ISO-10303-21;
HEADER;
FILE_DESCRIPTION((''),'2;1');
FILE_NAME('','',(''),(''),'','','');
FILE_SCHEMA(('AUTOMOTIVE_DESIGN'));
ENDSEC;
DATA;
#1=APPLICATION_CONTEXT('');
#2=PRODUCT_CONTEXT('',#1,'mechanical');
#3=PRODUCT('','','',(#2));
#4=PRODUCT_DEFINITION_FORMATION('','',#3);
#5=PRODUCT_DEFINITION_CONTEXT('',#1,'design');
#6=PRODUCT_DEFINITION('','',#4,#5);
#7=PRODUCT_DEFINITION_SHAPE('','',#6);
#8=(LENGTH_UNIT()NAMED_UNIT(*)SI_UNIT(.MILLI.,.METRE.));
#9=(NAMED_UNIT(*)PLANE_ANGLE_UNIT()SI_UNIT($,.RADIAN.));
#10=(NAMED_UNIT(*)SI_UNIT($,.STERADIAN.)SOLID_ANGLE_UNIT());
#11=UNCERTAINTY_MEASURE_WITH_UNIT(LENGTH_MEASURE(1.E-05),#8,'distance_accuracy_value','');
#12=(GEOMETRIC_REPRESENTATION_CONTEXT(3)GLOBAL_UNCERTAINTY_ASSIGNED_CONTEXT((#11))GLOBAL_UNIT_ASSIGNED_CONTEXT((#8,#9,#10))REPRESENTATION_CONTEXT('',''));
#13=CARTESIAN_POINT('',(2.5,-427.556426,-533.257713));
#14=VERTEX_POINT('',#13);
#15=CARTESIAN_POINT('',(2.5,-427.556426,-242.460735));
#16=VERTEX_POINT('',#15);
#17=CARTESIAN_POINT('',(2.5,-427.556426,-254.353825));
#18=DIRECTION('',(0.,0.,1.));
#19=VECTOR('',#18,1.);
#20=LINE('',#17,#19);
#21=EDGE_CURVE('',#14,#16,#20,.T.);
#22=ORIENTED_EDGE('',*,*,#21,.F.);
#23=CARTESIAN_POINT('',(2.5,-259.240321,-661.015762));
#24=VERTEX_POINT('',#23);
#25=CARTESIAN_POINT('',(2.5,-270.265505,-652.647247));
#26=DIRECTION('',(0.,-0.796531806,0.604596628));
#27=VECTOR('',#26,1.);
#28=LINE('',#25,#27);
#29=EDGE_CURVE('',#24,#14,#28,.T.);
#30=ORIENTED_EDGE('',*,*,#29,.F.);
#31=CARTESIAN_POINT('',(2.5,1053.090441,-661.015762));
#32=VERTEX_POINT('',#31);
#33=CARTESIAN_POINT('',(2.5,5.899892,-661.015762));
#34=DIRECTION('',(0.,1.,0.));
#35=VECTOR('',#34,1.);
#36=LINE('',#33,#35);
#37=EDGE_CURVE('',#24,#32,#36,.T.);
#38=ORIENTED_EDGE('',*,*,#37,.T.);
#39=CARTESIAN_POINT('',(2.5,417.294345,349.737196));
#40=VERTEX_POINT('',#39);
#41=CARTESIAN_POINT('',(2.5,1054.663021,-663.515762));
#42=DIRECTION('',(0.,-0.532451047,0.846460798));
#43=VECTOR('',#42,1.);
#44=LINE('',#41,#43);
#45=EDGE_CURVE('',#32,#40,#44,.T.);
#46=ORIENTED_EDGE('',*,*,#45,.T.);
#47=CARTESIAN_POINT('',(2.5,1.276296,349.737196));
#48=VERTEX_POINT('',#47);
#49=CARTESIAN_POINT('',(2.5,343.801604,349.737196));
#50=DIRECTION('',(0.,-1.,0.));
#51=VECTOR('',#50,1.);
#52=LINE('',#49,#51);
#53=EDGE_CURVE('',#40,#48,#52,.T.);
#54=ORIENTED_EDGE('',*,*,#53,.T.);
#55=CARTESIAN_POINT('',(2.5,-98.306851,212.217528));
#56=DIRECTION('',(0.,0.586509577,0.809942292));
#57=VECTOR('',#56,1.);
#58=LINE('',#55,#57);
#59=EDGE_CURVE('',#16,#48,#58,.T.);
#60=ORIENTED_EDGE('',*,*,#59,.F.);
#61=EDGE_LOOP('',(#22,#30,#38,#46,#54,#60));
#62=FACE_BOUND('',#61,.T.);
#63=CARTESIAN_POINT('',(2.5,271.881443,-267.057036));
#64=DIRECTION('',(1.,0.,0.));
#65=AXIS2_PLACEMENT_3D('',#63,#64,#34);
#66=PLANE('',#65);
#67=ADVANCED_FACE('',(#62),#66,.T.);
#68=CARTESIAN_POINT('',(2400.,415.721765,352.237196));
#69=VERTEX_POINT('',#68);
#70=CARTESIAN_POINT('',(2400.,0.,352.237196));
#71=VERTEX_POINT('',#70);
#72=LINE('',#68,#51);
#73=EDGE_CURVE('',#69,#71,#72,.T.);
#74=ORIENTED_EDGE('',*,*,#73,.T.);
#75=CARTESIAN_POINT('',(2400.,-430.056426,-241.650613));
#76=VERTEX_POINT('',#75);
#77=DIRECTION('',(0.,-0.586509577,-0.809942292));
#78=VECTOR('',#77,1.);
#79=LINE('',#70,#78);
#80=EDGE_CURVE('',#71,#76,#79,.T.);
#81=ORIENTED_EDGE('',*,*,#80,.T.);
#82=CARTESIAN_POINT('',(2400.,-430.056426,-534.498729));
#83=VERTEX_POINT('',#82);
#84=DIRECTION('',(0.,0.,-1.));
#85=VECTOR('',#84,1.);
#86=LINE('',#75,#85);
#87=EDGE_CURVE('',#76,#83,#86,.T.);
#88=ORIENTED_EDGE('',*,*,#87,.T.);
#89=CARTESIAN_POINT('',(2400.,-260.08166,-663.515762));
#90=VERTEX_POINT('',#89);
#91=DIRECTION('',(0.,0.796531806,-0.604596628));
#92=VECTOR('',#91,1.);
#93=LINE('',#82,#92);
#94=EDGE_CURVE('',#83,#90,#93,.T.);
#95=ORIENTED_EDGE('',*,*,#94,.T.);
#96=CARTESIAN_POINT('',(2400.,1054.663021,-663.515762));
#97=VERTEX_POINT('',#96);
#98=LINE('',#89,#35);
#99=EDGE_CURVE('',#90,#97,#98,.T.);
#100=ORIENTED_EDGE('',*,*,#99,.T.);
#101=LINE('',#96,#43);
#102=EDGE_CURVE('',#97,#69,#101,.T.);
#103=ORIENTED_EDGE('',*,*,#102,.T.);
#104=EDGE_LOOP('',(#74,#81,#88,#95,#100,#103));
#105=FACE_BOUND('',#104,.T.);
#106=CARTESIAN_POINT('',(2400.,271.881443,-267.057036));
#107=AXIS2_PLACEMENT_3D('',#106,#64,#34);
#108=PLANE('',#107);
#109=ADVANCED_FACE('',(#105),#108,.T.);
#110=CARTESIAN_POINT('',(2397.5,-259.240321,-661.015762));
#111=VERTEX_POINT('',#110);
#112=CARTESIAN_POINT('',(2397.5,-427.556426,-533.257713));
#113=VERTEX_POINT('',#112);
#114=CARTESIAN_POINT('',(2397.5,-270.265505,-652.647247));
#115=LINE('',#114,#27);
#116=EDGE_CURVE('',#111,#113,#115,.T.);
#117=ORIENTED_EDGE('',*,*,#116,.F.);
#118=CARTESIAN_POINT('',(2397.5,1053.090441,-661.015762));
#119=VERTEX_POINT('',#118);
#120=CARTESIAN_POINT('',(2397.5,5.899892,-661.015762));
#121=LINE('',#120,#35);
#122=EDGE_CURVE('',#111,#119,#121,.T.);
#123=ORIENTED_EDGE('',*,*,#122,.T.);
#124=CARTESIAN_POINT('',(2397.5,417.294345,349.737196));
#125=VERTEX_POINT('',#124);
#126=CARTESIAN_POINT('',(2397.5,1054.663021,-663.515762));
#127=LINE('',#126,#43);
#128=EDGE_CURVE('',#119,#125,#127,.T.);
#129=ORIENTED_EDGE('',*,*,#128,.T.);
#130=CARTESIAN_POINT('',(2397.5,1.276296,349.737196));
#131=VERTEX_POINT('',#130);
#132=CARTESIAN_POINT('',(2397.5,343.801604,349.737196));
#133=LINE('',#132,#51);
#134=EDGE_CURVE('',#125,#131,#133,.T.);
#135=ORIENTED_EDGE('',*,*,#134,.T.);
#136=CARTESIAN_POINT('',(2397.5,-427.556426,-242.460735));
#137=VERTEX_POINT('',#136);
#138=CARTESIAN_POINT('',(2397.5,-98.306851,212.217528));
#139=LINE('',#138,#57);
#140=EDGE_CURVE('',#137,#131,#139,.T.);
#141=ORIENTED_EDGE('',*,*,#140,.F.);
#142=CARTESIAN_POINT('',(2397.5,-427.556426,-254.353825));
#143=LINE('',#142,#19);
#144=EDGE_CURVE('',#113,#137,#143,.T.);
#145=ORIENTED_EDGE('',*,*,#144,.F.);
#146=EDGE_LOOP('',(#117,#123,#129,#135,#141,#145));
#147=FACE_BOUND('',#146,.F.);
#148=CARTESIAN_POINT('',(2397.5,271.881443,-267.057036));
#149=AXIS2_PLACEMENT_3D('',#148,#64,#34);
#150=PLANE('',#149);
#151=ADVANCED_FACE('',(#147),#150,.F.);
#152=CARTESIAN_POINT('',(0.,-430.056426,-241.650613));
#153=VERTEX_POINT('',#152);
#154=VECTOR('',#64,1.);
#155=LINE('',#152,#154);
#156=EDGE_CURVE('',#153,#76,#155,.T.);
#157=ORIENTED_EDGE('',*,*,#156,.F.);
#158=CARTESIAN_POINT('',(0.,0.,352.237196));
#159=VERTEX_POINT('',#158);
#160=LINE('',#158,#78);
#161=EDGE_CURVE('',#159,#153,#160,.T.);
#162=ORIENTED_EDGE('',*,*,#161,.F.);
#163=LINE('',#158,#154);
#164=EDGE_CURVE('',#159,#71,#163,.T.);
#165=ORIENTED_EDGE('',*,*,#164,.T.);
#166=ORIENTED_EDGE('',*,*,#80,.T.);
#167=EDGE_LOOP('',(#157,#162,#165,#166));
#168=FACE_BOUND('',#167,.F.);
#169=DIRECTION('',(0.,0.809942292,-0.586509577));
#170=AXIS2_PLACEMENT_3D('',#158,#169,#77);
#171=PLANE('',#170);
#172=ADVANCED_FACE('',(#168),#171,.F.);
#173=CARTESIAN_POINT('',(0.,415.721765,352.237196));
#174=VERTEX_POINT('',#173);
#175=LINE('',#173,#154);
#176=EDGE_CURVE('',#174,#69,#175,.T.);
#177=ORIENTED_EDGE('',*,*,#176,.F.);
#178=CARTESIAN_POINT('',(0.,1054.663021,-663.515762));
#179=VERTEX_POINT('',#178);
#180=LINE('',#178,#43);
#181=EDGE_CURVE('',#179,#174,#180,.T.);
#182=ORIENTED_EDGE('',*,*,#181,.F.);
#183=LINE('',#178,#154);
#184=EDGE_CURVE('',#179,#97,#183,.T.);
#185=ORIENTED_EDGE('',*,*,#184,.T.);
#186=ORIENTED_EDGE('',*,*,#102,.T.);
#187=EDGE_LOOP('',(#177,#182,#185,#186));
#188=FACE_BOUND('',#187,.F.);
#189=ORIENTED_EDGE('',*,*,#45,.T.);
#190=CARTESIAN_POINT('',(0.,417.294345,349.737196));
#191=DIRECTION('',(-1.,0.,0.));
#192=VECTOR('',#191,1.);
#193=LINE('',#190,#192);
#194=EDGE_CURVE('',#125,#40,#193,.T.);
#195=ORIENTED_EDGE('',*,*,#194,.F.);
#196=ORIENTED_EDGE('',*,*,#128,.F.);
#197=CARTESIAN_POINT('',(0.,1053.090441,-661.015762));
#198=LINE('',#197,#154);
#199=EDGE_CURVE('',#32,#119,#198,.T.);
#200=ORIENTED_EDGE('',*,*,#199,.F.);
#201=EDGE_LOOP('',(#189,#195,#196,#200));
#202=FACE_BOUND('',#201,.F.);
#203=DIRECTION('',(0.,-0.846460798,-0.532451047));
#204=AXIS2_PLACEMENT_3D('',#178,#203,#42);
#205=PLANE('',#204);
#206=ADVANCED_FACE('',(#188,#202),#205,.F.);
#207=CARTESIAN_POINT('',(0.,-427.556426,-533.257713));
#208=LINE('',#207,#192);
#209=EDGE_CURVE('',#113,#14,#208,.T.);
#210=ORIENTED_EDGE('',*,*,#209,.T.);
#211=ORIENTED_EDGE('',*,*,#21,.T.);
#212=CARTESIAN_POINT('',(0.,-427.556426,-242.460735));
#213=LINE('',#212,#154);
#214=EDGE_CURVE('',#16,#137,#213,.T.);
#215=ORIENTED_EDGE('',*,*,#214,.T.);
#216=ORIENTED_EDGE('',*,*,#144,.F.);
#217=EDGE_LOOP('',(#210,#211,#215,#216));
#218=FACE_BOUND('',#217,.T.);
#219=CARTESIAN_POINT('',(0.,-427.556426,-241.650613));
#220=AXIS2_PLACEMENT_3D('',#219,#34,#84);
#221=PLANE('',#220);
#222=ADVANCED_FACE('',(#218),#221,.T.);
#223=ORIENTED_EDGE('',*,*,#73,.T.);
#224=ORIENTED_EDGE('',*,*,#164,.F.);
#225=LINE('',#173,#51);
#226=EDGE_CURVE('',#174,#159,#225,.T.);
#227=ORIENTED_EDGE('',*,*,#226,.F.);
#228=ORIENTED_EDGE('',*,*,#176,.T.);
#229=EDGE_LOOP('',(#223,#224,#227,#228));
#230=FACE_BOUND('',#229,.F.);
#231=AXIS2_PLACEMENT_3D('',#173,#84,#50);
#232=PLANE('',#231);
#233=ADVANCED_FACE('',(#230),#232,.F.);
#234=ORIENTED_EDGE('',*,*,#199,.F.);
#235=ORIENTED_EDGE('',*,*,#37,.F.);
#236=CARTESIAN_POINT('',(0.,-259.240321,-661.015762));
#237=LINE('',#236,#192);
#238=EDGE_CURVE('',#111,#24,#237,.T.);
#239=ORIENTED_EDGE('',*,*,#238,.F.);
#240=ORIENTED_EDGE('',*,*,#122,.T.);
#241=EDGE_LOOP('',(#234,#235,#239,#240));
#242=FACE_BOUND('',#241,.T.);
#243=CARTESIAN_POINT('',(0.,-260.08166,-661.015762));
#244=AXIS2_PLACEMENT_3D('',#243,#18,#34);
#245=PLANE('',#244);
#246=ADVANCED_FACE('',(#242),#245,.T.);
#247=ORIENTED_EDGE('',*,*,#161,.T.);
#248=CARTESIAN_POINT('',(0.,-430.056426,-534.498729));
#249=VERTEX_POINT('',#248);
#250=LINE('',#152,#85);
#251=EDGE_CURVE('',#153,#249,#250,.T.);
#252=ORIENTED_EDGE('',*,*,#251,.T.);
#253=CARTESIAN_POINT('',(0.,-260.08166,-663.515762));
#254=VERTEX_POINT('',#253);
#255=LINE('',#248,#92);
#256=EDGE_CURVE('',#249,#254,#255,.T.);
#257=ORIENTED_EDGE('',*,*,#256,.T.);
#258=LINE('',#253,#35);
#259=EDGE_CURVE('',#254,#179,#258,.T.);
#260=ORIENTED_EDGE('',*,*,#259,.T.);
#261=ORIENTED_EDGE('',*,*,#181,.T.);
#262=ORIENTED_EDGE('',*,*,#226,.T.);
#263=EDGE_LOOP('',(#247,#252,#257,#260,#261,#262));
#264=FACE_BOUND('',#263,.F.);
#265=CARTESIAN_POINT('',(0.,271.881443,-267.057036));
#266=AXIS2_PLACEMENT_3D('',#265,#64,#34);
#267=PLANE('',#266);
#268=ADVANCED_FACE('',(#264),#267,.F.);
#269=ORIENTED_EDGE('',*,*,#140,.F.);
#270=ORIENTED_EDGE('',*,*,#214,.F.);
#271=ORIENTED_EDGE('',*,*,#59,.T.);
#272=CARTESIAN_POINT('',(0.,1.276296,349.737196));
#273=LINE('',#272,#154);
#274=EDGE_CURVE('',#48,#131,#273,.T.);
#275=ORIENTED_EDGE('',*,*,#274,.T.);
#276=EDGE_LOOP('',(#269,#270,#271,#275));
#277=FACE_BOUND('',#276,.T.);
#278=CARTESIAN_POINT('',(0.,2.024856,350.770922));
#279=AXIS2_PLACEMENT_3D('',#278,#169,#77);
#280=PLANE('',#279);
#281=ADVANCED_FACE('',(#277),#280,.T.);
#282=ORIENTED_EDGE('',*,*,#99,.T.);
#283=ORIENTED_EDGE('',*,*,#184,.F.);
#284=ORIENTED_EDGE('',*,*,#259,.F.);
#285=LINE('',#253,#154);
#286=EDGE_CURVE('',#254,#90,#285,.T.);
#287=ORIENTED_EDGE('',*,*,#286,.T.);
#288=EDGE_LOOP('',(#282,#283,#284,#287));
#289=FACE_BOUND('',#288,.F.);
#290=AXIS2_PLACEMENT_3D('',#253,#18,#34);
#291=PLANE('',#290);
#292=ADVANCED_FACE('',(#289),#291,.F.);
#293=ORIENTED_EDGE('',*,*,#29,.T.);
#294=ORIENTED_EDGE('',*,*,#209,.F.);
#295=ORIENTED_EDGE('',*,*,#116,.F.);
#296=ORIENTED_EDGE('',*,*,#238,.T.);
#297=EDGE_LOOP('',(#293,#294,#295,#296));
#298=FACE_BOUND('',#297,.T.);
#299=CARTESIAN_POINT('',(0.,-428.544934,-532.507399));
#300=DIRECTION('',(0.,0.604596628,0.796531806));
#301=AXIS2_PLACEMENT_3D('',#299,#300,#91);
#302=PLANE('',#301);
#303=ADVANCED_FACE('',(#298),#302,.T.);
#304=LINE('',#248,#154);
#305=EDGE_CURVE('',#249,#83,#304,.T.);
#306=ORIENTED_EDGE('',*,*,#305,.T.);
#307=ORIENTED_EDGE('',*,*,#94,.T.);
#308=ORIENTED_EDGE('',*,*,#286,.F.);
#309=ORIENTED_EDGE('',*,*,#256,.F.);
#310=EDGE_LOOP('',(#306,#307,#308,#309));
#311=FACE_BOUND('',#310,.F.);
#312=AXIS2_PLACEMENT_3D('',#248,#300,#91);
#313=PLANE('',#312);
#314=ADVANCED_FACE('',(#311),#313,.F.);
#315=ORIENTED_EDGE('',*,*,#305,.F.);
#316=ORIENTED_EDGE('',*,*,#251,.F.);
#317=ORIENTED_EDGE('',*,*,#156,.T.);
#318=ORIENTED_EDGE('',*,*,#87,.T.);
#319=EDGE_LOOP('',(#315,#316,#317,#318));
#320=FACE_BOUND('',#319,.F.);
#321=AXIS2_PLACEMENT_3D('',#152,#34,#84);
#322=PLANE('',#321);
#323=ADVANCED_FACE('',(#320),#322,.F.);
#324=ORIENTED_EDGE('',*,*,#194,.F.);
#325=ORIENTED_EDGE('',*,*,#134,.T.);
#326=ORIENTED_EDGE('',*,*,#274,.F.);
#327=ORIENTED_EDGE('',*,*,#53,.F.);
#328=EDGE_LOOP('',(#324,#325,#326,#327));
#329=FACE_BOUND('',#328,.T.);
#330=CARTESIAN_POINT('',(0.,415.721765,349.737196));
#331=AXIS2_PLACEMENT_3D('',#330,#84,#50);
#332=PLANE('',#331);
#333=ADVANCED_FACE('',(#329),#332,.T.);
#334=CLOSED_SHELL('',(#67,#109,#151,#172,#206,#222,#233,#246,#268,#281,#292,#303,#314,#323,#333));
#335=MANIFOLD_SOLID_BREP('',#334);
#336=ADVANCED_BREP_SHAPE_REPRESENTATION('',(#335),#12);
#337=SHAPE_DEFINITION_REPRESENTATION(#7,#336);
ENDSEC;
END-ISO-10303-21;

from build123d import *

# Parameters (mm, degrees)
F1_DEPTH = 2400
F2_T     = -2.5


with BuildPart() as f1:
    # F0 (on Right) → F1 (new body)
    with BuildSketch(Plane.YZ):
        Polygon((1054.663021, -663.515762), (415.721765, 352.237196), (0, 352.237196), (-430.056426, -241.650613), (-430.056426, -534.498729), (-260.08166, -663.515762), align=None)
    extrude(amount=F1_DEPTH)

    # F2
    f2_openings = [f1.faces().sort_by_distance(p)[0] for p in [
        (1200, 735.192393, -155.639283),
    ]]
    offset(amount=F2_T, openings=f2_openings)


solid = f1.part
